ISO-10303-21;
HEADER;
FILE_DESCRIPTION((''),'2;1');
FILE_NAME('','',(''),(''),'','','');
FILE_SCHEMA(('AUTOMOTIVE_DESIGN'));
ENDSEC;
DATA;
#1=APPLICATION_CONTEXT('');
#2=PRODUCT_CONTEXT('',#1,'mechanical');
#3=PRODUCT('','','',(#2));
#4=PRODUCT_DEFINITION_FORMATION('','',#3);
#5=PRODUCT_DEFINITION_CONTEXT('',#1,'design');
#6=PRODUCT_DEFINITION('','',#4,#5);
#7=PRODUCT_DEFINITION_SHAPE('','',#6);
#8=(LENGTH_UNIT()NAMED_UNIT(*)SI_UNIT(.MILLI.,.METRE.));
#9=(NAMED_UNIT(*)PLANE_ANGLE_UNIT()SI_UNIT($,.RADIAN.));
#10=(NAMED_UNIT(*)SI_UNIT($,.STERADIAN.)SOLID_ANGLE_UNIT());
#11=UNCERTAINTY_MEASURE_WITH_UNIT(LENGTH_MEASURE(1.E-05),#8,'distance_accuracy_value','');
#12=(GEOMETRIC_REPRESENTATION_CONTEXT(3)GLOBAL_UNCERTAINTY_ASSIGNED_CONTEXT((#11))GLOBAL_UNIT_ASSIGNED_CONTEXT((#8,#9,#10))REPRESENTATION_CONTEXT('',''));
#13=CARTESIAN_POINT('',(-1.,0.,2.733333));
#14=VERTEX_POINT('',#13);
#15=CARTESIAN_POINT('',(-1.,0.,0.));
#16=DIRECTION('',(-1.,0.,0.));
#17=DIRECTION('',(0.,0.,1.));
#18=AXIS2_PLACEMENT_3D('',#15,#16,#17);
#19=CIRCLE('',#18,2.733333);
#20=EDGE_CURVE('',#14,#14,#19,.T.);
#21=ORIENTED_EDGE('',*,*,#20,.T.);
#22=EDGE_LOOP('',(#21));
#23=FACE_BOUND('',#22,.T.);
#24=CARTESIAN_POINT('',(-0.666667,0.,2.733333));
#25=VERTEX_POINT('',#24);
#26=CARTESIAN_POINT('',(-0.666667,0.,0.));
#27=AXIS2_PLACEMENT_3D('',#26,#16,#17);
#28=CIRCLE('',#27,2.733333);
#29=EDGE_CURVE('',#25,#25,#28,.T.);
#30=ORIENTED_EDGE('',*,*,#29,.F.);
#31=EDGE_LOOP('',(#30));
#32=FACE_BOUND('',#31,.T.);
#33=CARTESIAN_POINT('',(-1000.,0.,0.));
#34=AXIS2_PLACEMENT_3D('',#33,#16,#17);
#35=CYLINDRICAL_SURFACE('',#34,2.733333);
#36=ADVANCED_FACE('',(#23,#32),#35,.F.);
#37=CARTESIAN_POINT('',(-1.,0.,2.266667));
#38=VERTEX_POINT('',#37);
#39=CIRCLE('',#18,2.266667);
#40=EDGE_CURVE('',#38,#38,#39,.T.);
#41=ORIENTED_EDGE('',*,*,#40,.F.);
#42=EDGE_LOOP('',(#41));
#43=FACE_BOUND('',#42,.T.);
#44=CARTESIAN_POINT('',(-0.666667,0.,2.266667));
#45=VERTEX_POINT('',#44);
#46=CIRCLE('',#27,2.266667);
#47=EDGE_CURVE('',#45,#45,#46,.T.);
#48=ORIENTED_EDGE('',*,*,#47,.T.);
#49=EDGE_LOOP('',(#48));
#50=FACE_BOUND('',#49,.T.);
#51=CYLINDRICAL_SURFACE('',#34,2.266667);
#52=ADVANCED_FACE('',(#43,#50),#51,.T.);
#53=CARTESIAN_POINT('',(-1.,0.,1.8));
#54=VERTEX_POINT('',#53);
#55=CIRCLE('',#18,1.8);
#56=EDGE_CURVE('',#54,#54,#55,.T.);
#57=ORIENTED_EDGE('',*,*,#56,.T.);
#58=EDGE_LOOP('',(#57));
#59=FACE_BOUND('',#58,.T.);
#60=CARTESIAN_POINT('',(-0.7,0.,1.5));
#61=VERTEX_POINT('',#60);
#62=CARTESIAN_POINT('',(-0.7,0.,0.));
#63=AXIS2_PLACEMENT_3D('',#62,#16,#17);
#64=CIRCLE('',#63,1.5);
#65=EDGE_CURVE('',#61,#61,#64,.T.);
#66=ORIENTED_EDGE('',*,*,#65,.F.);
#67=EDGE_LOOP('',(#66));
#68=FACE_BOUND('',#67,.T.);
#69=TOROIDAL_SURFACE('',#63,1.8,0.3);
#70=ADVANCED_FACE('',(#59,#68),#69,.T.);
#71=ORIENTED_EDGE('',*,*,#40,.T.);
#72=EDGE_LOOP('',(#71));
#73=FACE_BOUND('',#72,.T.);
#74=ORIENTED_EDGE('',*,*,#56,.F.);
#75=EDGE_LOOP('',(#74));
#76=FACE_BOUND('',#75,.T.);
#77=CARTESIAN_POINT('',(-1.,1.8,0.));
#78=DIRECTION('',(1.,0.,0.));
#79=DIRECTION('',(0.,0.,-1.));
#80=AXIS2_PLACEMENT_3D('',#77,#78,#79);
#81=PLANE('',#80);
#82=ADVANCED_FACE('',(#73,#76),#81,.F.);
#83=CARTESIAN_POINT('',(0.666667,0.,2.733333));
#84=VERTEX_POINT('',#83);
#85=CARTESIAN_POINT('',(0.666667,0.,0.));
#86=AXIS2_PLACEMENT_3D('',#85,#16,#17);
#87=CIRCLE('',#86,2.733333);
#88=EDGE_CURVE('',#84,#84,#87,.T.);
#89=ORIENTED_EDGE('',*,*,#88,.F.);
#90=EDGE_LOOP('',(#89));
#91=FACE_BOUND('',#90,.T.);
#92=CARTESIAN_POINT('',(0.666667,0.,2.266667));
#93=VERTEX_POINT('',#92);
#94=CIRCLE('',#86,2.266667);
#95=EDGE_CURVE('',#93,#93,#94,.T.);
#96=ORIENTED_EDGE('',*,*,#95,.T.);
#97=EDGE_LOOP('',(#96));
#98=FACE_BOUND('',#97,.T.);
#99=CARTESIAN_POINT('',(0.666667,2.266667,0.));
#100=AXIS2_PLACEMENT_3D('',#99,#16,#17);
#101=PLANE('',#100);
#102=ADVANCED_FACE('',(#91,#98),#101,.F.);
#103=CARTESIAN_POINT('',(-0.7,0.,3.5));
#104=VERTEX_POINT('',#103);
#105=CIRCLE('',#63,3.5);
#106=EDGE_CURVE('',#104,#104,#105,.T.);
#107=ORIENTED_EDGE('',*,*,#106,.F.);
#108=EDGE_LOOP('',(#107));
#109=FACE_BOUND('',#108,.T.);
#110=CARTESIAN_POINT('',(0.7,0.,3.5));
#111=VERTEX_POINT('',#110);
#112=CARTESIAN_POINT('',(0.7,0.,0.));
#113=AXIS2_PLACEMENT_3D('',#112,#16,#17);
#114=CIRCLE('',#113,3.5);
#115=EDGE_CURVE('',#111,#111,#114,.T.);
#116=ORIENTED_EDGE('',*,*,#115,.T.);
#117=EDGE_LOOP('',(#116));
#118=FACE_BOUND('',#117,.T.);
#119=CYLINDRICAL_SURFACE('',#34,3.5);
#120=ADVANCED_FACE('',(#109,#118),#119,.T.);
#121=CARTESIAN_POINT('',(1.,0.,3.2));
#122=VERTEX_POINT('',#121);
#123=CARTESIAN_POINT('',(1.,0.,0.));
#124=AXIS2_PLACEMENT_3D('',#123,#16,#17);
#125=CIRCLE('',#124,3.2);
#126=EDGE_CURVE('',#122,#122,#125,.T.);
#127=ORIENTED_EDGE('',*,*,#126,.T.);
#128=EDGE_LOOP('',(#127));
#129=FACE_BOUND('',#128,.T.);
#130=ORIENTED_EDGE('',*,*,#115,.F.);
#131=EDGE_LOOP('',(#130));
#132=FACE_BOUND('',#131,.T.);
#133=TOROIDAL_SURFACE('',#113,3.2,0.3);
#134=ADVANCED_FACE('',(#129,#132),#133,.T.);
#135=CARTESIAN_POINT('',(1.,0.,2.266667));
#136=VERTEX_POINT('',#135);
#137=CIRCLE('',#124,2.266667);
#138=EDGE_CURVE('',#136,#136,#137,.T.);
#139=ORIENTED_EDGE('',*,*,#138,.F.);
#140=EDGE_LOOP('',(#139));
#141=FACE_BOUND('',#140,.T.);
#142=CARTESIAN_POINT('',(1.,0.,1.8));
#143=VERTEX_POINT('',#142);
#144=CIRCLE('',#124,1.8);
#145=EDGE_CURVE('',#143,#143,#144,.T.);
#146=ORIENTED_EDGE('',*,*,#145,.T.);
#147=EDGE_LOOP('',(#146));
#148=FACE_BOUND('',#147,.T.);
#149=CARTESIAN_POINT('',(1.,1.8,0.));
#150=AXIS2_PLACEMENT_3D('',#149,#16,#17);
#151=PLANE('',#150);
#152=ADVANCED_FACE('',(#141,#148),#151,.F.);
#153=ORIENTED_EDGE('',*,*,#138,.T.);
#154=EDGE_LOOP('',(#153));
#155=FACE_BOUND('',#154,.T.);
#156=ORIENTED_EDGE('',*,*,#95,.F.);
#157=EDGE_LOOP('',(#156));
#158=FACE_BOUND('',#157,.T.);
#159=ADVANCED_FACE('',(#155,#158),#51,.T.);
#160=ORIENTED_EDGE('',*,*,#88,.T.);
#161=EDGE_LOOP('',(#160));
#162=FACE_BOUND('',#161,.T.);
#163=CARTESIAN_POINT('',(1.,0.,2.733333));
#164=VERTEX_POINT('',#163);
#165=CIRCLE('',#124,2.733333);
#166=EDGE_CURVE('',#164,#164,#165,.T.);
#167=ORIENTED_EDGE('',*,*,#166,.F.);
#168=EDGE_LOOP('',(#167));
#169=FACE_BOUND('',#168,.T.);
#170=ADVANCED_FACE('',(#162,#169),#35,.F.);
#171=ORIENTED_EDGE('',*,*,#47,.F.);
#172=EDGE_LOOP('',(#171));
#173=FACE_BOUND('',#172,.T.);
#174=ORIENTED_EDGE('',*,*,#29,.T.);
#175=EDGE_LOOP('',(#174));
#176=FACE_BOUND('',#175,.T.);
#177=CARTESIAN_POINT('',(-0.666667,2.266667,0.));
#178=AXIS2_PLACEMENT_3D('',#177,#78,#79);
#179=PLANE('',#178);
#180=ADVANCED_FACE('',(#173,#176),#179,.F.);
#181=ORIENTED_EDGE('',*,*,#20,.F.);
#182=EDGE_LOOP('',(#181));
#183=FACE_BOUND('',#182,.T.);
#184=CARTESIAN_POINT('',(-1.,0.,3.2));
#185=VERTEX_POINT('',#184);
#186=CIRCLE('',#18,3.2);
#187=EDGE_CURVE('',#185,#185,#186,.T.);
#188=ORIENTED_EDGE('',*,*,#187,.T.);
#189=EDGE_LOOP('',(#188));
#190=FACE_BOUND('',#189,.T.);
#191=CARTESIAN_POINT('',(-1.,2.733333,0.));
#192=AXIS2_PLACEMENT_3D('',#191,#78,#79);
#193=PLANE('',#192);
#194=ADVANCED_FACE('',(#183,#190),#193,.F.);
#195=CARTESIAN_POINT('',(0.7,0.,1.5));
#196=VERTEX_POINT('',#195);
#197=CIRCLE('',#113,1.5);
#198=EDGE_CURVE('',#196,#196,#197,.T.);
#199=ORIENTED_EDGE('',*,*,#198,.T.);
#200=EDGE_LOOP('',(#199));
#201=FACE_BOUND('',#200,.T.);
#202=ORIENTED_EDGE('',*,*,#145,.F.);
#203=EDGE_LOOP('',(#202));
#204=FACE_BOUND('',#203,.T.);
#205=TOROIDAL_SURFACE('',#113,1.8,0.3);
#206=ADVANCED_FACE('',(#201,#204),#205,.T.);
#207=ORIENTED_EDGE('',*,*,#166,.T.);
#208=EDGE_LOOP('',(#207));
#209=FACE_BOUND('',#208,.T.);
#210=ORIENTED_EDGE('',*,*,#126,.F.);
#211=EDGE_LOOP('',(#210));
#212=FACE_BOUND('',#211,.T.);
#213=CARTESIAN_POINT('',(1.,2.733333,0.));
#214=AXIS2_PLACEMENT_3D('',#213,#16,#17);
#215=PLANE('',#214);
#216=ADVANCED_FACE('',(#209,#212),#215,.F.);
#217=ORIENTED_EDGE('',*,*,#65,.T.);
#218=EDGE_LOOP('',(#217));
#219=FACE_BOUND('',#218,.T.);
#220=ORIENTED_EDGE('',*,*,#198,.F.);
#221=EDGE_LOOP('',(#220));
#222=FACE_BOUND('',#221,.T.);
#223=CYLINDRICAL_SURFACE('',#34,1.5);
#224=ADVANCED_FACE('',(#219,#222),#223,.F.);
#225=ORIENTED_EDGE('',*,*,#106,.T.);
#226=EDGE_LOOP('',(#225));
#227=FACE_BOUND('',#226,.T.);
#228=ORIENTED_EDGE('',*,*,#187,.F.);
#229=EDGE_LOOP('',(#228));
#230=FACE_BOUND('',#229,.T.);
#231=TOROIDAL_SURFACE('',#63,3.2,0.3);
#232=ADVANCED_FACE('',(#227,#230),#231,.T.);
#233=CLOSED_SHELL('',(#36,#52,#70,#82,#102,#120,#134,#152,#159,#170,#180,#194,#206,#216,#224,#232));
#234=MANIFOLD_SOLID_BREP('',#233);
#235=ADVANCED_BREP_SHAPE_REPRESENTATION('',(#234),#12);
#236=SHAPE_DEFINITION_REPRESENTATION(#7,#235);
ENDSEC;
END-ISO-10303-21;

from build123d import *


with BuildPart() as part:
    # Эскиз1 → Повернуть1 (revolve)
    with BuildSketch(Plane.XY):
        with BuildLine():
            Line((0.7, 1.5), (-0.7, 1.5))
            ThreePointArc((-0.7, 1.5), (-0.912132034, 1.587867966), (-1, 1.8))
            Line((-1, 1.8), (-1, 2.266666667))
            Line((-1, 2.266666667), (-0.666666667, 2.266666667))
            Line((-0.666666667, 2.266666667), (-0.666666667, 2.733333333))
            Line((-0.666666667, 2.733333333), (-1, 2.733333333))
            Line((-1, 2.733333333), (-1, 3.2))
            ThreePointArc((-1, 3.2), (-0.912132034, 3.412132034), (-0.7, 3.5))
            Line((-0.7, 3.5), (0.7, 3.5))
            ThreePointArc((0.7, 3.5), (0.912132034, 3.412132034), (1, 3.2))
            Line((1, 3.2), (1, 2.733333333))
            Line((1, 2.733333333), (0.666666667, 2.733333333))
            Line((0.666666667, 2.733333333), (0.666666667, 2.266666667))
            Line((0.666666667, 2.266666667), (1, 2.266666667))
            Line((1, 2.266666667), (1, 1.8))
            ThreePointArc((1, 1.8), (0.912132034, 1.587867966), (0.7, 1.5))
        make_face()
    revolve(axis=Axis((-1000, 0, 0), (1, 0, 0)))


solid = part.part
